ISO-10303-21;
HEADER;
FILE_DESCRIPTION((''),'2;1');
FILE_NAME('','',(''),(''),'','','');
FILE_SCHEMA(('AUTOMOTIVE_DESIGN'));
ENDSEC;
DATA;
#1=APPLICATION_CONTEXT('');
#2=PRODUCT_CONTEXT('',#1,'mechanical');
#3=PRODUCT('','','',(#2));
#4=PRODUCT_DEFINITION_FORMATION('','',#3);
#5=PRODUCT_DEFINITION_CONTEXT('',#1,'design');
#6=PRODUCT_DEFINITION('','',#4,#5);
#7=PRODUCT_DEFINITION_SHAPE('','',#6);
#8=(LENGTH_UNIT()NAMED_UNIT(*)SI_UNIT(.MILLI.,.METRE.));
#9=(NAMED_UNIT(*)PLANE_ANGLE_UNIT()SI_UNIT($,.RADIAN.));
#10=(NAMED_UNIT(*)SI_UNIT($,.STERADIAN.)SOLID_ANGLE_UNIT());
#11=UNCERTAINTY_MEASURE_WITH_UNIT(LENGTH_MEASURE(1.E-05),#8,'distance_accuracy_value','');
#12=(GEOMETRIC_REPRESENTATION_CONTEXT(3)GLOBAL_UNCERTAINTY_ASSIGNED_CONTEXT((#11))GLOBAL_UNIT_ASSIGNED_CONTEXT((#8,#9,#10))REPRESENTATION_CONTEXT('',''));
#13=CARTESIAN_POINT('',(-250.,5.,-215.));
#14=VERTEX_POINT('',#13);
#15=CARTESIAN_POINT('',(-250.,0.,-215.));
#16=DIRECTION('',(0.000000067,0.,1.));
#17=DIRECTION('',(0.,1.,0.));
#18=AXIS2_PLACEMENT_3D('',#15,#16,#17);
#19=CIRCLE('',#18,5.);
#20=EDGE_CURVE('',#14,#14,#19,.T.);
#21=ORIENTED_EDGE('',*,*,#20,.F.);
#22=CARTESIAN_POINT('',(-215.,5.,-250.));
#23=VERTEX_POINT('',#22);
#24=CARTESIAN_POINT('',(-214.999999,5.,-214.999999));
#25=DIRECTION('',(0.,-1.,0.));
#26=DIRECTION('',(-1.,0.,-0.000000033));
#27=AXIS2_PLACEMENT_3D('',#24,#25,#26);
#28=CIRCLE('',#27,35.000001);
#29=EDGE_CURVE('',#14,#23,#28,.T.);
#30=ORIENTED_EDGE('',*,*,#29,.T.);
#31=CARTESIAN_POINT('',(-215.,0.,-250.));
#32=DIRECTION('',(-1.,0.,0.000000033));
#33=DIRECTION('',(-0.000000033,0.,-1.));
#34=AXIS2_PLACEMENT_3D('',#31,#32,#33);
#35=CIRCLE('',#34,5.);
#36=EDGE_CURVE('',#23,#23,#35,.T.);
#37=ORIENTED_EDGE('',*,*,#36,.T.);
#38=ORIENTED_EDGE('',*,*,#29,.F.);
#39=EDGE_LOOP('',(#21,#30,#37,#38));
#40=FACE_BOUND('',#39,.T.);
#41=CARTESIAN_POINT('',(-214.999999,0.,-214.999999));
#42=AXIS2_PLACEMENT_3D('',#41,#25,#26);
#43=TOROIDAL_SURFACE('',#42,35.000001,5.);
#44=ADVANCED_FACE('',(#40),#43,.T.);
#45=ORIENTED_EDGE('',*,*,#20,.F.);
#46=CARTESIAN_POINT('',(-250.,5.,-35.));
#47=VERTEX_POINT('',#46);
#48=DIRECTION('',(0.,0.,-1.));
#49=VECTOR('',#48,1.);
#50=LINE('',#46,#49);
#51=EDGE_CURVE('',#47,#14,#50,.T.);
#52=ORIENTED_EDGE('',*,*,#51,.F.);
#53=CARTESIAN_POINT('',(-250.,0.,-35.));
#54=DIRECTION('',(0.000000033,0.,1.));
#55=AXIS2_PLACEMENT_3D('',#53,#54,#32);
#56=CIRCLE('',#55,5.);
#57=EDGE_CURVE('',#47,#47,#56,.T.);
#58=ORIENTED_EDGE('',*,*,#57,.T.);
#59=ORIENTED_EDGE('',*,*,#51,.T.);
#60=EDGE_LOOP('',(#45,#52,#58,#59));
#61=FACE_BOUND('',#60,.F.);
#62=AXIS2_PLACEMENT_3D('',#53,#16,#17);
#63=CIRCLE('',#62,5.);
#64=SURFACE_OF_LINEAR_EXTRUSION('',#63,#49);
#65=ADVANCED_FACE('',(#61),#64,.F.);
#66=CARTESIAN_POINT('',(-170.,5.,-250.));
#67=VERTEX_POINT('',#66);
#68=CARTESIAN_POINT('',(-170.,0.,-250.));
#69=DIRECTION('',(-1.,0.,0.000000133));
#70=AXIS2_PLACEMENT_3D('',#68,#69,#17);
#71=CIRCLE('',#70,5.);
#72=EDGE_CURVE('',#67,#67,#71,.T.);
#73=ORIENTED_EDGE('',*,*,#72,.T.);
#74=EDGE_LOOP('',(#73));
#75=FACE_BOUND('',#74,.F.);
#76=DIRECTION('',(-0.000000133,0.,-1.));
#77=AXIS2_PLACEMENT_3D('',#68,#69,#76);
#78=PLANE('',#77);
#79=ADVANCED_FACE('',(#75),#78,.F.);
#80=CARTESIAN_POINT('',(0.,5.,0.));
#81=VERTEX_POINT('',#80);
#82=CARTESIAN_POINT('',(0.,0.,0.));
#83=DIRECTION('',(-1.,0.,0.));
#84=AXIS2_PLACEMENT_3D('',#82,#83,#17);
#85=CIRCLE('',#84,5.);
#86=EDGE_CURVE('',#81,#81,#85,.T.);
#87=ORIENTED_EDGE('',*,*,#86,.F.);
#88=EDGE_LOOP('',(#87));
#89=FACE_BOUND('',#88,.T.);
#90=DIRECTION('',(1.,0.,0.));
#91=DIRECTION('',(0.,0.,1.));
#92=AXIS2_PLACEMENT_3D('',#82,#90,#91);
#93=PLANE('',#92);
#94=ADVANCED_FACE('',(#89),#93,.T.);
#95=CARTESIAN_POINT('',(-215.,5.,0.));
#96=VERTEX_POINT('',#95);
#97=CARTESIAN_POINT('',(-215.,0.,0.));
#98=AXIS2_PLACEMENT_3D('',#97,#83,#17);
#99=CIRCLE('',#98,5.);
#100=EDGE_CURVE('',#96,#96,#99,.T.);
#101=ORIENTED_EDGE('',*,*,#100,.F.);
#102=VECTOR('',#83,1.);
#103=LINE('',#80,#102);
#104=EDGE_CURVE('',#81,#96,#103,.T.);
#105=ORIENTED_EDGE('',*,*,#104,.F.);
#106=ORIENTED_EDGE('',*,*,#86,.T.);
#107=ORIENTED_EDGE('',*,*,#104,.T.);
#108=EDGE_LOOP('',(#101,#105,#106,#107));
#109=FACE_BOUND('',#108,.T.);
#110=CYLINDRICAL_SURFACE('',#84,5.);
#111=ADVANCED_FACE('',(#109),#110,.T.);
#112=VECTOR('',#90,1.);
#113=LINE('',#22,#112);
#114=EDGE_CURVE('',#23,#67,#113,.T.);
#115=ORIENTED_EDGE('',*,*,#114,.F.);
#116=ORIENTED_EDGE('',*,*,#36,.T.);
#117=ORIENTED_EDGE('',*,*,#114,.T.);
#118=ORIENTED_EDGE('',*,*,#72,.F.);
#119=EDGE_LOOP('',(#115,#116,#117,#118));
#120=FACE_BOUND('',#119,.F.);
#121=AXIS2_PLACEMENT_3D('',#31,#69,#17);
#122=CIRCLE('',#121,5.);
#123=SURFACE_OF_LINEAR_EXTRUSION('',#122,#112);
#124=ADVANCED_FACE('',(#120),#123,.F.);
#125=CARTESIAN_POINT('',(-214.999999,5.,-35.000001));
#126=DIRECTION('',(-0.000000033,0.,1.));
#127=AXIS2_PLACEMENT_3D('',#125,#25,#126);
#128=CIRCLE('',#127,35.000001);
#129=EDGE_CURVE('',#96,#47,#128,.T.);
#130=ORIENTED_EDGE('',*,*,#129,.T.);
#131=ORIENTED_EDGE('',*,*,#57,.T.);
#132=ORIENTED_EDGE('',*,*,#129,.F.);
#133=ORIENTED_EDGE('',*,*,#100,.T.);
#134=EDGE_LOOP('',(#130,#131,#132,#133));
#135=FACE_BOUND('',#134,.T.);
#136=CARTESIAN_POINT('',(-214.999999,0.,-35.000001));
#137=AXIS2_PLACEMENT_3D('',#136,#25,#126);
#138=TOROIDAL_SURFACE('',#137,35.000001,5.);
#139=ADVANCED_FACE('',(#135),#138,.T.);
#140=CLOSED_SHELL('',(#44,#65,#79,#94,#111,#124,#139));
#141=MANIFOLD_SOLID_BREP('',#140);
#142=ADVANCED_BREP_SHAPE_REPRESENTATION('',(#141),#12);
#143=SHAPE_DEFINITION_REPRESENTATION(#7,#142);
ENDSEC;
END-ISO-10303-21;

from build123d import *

# Parameters (mm, degrees)
F1_R = 5


with BuildPart() as f2:
    # F2: sweep along a path in F0
    with BuildLine(Plane.XZ) as f2_path:
        Line((0, 0), (-215, 0))
        ThreePointArc((-215, 0), (-239.748737, -10.251263), (-250, -35))
        Line((-250, -35), (-250, -215))
        ThreePointArc((-250, -215), (-239.748737, -239.748737), (-215, -250))
        Line((-215, -250), (-170, -250))
    # F1 (on Right) → F2 (sweep)
    with BuildSketch(Plane.YZ):
        Circle(F1_R)
    sweep(path=f2_path.line)


solid = f2.part
